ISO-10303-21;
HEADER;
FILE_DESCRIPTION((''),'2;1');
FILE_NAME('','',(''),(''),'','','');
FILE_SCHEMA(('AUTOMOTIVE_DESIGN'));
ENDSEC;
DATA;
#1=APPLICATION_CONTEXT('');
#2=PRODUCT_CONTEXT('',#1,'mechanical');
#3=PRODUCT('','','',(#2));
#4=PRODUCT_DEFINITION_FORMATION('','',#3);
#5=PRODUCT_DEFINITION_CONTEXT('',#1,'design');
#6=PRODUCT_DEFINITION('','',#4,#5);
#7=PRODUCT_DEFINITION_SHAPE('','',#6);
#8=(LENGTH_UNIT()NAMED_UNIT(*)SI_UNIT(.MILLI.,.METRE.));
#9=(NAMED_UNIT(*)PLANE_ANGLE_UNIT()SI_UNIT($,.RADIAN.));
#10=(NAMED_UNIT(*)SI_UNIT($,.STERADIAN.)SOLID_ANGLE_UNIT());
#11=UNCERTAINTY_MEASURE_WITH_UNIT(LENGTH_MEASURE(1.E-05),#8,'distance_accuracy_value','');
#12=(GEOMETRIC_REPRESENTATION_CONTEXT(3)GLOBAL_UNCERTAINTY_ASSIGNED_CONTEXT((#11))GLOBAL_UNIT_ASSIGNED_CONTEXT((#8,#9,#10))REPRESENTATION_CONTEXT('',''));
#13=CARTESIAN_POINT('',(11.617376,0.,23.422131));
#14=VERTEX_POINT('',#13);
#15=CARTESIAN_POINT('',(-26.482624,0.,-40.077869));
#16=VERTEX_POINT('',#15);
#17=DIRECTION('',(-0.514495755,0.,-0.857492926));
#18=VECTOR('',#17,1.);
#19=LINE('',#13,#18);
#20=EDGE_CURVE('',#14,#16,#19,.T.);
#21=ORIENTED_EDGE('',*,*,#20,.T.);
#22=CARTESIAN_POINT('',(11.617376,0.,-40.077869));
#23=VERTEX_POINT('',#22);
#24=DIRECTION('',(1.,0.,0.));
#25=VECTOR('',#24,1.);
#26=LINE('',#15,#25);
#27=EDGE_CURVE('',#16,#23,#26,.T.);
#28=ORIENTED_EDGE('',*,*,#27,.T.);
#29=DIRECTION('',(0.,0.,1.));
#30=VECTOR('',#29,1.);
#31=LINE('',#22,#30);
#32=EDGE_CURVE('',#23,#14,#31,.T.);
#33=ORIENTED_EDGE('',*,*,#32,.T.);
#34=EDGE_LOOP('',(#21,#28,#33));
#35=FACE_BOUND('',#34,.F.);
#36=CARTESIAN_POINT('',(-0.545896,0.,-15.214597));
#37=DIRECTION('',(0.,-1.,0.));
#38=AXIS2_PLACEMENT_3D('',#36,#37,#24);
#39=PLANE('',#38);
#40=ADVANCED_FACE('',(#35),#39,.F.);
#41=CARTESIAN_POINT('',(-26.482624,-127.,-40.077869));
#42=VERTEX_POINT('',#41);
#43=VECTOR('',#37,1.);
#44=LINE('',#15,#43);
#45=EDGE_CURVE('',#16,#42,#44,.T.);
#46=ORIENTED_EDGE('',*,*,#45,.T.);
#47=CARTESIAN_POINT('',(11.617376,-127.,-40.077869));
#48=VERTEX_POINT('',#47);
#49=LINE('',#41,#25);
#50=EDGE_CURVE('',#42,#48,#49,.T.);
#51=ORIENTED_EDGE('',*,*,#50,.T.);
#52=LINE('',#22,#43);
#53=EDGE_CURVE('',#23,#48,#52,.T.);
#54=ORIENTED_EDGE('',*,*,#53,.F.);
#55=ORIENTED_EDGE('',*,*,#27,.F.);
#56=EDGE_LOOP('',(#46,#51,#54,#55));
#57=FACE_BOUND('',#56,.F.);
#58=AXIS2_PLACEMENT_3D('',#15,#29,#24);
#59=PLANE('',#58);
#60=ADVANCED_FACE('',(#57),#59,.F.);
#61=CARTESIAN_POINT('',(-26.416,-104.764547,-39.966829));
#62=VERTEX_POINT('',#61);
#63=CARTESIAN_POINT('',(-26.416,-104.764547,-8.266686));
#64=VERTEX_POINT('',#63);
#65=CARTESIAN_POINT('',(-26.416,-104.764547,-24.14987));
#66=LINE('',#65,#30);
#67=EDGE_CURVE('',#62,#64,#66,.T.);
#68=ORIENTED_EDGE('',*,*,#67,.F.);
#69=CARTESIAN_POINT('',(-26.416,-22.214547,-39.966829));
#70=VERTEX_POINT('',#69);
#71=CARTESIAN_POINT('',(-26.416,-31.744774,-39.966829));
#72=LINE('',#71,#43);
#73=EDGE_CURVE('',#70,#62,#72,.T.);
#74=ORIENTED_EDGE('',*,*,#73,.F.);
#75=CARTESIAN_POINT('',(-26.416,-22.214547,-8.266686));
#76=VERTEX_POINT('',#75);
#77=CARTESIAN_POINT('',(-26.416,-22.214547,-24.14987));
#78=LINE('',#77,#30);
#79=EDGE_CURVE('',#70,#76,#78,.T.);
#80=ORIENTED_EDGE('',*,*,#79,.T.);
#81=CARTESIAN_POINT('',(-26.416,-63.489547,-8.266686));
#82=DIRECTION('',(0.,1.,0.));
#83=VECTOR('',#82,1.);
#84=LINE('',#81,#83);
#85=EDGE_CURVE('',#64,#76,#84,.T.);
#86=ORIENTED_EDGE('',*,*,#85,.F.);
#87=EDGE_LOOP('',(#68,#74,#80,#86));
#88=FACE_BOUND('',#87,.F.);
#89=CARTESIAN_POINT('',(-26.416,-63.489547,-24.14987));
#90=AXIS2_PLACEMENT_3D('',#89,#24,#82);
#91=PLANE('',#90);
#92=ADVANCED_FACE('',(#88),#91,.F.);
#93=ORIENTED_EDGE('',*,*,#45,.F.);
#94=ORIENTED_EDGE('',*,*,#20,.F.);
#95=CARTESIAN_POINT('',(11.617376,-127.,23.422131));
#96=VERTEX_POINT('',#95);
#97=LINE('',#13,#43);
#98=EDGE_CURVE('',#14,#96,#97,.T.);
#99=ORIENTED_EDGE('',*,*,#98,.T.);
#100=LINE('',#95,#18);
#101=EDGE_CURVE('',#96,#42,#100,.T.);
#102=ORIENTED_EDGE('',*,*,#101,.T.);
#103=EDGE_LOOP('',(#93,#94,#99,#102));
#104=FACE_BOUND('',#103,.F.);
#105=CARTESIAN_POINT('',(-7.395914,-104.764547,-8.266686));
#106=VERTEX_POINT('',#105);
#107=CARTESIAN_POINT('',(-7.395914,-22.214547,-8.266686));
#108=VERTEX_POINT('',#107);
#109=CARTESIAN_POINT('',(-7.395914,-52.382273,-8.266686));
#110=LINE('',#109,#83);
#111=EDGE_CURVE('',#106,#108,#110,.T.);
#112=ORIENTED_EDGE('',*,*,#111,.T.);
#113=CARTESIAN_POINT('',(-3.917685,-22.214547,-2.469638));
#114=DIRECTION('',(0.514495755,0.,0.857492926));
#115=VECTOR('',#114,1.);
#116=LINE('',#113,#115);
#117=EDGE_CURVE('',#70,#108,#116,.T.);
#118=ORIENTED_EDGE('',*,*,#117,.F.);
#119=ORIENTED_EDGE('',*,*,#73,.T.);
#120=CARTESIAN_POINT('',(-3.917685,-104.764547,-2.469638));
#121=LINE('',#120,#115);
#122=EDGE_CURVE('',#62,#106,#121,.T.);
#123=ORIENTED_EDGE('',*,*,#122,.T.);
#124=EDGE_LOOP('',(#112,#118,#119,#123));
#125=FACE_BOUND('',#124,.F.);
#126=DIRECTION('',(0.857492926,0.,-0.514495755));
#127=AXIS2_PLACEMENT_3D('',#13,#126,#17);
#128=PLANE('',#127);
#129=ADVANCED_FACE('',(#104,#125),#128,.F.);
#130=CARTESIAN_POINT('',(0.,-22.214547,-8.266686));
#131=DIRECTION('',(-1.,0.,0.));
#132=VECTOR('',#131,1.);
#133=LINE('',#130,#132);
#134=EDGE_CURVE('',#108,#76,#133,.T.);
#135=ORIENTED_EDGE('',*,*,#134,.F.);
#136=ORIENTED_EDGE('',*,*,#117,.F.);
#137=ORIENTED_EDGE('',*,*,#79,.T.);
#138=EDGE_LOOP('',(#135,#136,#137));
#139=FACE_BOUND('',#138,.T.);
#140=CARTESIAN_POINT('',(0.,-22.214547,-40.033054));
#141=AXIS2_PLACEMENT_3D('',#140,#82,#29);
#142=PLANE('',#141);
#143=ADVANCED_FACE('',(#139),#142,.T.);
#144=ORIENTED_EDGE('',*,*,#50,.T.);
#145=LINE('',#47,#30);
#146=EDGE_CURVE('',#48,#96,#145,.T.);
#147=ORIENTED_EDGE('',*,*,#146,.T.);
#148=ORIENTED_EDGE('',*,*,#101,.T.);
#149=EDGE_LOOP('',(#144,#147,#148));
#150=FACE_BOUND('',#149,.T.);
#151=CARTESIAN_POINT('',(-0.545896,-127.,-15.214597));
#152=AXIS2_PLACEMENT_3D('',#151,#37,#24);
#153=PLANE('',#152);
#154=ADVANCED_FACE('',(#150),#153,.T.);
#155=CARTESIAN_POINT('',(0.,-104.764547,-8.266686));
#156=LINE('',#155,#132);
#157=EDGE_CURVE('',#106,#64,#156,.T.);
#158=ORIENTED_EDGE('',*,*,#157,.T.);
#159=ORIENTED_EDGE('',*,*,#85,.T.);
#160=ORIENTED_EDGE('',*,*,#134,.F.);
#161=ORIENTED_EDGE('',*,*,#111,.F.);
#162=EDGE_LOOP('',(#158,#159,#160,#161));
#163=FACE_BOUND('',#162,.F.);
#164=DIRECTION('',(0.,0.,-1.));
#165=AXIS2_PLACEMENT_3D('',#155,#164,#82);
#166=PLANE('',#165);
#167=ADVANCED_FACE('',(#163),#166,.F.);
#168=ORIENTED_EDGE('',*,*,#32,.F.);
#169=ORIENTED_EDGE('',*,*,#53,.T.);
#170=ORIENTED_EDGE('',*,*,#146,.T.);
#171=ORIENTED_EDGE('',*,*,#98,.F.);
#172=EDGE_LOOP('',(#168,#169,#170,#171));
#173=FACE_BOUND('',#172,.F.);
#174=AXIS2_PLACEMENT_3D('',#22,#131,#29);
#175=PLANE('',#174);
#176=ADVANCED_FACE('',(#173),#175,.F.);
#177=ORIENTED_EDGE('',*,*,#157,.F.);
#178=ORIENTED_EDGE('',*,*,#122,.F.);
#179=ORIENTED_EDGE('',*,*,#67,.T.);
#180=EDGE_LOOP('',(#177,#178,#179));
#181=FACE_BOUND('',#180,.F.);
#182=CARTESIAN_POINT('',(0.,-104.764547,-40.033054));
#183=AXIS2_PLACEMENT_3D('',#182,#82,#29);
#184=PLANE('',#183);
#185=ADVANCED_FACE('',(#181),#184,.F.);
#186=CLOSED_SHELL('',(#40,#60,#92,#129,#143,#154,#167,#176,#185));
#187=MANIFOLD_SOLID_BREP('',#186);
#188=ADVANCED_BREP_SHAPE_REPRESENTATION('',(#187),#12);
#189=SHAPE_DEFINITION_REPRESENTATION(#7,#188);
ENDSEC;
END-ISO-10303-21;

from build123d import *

# Parameters (mm, degrees)
F1_DEPTH = 127
F2_W     = 82.55
F2_H     = 31.766368
F3_DEPTH = 26.416


with BuildPart() as f1:
    # F0 (on Front) → F1 (new body)
    with BuildSketch(Plane.XZ):
        Polygon((11.617376, 23.422131), (-26.482624, -40.077869), (11.617376, -40.077869), align=None)
    extrude(amount=F1_DEPTH)

    # F2 (on Right) → F3 (join)
    with BuildSketch(Plane.YZ):
        with Locations((-63.489547, -24.14987)):
            Rectangle(F2_W, F2_H)
    extrude(amount=-F3_DEPTH)


solid = f1.part
